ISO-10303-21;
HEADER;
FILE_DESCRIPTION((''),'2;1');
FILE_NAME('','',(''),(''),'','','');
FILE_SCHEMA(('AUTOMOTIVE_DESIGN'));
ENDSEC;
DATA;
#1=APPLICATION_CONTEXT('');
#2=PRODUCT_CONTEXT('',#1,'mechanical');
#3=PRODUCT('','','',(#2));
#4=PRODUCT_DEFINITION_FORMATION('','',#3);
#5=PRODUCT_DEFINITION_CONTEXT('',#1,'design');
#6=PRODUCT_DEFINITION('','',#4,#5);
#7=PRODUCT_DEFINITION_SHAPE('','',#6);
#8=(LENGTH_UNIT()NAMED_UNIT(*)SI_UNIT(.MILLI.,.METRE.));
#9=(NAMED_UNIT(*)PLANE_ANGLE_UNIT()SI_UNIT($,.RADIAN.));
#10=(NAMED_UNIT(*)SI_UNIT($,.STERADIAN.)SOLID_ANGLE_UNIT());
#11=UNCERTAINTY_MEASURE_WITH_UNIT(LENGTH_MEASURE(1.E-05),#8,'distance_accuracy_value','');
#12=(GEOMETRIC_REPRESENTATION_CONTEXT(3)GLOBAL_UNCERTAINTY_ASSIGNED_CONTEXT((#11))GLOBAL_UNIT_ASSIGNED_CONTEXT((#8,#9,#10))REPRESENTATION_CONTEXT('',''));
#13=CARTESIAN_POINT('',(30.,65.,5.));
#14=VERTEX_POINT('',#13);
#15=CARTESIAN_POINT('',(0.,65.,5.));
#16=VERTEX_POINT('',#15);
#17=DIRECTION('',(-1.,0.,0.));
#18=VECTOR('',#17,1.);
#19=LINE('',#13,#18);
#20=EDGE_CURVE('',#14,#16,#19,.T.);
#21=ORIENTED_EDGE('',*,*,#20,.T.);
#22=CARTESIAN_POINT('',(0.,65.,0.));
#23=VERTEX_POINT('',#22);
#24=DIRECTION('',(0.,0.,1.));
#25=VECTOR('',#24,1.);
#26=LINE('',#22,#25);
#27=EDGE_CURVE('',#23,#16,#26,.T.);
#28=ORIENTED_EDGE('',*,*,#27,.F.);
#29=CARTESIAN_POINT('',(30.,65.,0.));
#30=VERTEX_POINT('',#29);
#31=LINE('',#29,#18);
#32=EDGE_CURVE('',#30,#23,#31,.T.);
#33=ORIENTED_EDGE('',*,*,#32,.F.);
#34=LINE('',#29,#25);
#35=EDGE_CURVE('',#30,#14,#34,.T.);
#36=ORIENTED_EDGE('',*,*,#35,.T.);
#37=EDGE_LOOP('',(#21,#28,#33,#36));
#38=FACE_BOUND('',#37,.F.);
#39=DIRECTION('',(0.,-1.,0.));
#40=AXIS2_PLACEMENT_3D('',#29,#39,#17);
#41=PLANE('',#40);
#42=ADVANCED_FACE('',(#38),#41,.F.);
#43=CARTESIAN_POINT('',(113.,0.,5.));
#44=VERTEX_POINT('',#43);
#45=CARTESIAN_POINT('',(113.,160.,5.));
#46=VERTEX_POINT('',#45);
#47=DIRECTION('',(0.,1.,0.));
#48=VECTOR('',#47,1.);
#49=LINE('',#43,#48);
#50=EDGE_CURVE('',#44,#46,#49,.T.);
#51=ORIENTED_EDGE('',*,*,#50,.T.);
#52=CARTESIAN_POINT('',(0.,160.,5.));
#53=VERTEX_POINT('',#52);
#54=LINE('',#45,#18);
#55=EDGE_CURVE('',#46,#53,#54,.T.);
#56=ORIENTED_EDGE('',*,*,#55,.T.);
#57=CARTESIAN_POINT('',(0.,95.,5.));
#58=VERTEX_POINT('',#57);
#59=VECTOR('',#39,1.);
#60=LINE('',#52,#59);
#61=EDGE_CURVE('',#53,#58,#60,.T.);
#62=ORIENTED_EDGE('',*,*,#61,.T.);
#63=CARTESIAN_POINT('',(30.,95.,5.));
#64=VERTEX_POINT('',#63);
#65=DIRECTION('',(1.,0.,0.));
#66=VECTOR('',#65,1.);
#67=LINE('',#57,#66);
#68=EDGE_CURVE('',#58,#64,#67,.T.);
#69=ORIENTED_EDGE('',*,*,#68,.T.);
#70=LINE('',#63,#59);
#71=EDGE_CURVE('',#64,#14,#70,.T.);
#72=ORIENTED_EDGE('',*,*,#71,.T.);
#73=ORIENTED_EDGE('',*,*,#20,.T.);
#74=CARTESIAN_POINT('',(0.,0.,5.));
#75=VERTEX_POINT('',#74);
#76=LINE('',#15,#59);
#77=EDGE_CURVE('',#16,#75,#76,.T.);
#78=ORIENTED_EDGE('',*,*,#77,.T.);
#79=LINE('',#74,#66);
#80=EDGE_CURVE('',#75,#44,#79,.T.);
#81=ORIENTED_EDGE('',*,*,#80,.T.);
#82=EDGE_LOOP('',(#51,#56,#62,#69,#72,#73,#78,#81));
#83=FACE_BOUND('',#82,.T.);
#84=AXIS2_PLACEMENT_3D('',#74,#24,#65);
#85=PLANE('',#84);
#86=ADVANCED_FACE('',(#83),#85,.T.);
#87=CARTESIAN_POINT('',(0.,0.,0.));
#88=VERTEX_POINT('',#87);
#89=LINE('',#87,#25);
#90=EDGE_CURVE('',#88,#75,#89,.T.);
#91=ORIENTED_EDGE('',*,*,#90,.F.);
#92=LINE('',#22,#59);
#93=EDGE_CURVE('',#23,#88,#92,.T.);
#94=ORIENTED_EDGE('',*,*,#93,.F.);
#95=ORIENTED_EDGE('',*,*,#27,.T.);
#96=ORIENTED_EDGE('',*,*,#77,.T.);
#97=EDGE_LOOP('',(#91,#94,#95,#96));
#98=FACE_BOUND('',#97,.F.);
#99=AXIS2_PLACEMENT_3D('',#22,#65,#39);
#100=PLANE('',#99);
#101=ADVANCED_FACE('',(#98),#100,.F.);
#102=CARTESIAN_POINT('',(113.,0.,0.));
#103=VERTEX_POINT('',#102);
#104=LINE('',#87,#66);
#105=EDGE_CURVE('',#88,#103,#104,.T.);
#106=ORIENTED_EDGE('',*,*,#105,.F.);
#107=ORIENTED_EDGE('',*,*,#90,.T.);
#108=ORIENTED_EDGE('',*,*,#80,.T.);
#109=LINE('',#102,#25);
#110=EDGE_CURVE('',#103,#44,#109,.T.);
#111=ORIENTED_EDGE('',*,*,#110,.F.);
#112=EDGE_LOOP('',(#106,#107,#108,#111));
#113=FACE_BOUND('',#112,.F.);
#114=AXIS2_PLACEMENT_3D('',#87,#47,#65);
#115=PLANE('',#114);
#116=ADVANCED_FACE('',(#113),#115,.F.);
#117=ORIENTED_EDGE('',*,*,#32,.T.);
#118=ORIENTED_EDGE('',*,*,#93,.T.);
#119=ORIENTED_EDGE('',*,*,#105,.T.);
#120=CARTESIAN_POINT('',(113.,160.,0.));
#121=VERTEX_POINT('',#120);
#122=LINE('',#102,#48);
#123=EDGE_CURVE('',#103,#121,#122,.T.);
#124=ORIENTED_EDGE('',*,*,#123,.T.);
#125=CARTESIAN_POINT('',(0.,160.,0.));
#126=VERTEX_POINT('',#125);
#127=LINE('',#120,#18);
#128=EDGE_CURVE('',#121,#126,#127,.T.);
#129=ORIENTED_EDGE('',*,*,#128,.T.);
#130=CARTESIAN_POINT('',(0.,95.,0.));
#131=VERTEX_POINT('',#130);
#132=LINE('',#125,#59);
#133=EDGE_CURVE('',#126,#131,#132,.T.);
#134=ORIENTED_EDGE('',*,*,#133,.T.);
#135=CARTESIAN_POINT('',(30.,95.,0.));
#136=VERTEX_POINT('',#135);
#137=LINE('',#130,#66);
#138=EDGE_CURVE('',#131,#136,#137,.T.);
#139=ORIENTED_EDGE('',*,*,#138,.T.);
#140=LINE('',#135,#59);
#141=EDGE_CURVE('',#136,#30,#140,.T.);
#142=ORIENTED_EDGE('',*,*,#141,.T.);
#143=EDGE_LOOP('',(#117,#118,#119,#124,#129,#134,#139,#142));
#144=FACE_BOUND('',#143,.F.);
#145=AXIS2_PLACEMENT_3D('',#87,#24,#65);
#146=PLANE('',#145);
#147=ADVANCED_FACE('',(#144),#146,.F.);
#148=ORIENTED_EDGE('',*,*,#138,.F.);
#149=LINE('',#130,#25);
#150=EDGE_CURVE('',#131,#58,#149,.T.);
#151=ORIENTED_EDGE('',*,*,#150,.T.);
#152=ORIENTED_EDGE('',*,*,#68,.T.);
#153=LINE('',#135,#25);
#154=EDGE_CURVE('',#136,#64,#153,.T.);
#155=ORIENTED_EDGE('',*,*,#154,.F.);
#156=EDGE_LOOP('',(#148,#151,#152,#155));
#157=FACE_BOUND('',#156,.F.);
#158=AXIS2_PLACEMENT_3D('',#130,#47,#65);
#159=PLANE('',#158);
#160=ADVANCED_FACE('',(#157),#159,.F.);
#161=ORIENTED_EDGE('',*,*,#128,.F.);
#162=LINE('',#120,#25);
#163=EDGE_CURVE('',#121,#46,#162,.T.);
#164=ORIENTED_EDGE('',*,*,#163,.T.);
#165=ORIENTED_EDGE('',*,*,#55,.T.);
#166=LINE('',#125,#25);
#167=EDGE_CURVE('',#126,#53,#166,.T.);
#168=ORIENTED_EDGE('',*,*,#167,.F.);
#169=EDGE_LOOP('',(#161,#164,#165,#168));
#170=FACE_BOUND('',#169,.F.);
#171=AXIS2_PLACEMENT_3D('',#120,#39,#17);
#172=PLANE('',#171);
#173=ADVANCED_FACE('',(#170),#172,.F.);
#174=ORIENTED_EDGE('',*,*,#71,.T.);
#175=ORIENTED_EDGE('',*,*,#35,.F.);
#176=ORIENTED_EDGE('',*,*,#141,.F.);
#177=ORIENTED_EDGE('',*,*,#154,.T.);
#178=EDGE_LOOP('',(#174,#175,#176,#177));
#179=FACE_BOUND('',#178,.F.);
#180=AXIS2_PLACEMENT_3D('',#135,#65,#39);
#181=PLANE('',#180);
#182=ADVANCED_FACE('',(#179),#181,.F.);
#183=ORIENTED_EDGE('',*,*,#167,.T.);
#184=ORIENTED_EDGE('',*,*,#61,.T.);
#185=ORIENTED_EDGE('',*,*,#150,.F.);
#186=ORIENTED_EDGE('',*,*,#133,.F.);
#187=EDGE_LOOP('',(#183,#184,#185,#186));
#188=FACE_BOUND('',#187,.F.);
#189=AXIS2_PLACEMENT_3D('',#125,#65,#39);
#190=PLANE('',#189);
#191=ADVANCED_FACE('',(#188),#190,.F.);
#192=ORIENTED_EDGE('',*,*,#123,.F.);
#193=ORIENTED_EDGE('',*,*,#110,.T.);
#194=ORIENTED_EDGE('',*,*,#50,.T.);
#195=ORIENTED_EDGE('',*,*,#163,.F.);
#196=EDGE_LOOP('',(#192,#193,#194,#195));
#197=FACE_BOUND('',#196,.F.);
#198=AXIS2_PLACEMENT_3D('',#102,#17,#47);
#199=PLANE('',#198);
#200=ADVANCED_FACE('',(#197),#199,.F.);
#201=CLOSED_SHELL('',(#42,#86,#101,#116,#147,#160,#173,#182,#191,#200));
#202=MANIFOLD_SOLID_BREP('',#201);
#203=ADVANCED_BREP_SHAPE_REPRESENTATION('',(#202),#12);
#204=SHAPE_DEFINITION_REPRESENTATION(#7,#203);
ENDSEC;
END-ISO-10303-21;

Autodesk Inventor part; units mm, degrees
ref_plane "YZ Plane" through (0, 0, 0) normal (1, 0, 0) x (0, 1, 0)
ref_plane "XZ Plane" through (0, 0, 0) normal (0, 1, 0) x (-1, 0, 0)
ref_plane "XY Plane" through (0, 0, 0) normal (0, 0, 1) x (1, 0, 0)
sketch "Sketch1" plane through (0, 0, 0) normal (0, 0, 1) x (1, 0, 0)
  line L0 (0, 0) -> (113, 0)
  line L1 (113, 0) -> (113, 160)
  line L2 (113, 160) -> (0, 160)
  line L3 (0, 160) -> (0, 95)
  line L4 (0, 95) -> (30, 95)
  line L5 (30, 95) -> (30, 65)
  line L6 (30, 65) -> (0, 65)
  line L7 (0, 65) -> (0, 0)
  dimension "d0" = 113
  dimension "d1" = 160
  dimension "d2" = 65
  dimension "d3" = 30
  dimension "d4" = 30
extrude "Extrusion1" add sketch "Sketch1" along normal blind 5
properties part number "sadak_"
